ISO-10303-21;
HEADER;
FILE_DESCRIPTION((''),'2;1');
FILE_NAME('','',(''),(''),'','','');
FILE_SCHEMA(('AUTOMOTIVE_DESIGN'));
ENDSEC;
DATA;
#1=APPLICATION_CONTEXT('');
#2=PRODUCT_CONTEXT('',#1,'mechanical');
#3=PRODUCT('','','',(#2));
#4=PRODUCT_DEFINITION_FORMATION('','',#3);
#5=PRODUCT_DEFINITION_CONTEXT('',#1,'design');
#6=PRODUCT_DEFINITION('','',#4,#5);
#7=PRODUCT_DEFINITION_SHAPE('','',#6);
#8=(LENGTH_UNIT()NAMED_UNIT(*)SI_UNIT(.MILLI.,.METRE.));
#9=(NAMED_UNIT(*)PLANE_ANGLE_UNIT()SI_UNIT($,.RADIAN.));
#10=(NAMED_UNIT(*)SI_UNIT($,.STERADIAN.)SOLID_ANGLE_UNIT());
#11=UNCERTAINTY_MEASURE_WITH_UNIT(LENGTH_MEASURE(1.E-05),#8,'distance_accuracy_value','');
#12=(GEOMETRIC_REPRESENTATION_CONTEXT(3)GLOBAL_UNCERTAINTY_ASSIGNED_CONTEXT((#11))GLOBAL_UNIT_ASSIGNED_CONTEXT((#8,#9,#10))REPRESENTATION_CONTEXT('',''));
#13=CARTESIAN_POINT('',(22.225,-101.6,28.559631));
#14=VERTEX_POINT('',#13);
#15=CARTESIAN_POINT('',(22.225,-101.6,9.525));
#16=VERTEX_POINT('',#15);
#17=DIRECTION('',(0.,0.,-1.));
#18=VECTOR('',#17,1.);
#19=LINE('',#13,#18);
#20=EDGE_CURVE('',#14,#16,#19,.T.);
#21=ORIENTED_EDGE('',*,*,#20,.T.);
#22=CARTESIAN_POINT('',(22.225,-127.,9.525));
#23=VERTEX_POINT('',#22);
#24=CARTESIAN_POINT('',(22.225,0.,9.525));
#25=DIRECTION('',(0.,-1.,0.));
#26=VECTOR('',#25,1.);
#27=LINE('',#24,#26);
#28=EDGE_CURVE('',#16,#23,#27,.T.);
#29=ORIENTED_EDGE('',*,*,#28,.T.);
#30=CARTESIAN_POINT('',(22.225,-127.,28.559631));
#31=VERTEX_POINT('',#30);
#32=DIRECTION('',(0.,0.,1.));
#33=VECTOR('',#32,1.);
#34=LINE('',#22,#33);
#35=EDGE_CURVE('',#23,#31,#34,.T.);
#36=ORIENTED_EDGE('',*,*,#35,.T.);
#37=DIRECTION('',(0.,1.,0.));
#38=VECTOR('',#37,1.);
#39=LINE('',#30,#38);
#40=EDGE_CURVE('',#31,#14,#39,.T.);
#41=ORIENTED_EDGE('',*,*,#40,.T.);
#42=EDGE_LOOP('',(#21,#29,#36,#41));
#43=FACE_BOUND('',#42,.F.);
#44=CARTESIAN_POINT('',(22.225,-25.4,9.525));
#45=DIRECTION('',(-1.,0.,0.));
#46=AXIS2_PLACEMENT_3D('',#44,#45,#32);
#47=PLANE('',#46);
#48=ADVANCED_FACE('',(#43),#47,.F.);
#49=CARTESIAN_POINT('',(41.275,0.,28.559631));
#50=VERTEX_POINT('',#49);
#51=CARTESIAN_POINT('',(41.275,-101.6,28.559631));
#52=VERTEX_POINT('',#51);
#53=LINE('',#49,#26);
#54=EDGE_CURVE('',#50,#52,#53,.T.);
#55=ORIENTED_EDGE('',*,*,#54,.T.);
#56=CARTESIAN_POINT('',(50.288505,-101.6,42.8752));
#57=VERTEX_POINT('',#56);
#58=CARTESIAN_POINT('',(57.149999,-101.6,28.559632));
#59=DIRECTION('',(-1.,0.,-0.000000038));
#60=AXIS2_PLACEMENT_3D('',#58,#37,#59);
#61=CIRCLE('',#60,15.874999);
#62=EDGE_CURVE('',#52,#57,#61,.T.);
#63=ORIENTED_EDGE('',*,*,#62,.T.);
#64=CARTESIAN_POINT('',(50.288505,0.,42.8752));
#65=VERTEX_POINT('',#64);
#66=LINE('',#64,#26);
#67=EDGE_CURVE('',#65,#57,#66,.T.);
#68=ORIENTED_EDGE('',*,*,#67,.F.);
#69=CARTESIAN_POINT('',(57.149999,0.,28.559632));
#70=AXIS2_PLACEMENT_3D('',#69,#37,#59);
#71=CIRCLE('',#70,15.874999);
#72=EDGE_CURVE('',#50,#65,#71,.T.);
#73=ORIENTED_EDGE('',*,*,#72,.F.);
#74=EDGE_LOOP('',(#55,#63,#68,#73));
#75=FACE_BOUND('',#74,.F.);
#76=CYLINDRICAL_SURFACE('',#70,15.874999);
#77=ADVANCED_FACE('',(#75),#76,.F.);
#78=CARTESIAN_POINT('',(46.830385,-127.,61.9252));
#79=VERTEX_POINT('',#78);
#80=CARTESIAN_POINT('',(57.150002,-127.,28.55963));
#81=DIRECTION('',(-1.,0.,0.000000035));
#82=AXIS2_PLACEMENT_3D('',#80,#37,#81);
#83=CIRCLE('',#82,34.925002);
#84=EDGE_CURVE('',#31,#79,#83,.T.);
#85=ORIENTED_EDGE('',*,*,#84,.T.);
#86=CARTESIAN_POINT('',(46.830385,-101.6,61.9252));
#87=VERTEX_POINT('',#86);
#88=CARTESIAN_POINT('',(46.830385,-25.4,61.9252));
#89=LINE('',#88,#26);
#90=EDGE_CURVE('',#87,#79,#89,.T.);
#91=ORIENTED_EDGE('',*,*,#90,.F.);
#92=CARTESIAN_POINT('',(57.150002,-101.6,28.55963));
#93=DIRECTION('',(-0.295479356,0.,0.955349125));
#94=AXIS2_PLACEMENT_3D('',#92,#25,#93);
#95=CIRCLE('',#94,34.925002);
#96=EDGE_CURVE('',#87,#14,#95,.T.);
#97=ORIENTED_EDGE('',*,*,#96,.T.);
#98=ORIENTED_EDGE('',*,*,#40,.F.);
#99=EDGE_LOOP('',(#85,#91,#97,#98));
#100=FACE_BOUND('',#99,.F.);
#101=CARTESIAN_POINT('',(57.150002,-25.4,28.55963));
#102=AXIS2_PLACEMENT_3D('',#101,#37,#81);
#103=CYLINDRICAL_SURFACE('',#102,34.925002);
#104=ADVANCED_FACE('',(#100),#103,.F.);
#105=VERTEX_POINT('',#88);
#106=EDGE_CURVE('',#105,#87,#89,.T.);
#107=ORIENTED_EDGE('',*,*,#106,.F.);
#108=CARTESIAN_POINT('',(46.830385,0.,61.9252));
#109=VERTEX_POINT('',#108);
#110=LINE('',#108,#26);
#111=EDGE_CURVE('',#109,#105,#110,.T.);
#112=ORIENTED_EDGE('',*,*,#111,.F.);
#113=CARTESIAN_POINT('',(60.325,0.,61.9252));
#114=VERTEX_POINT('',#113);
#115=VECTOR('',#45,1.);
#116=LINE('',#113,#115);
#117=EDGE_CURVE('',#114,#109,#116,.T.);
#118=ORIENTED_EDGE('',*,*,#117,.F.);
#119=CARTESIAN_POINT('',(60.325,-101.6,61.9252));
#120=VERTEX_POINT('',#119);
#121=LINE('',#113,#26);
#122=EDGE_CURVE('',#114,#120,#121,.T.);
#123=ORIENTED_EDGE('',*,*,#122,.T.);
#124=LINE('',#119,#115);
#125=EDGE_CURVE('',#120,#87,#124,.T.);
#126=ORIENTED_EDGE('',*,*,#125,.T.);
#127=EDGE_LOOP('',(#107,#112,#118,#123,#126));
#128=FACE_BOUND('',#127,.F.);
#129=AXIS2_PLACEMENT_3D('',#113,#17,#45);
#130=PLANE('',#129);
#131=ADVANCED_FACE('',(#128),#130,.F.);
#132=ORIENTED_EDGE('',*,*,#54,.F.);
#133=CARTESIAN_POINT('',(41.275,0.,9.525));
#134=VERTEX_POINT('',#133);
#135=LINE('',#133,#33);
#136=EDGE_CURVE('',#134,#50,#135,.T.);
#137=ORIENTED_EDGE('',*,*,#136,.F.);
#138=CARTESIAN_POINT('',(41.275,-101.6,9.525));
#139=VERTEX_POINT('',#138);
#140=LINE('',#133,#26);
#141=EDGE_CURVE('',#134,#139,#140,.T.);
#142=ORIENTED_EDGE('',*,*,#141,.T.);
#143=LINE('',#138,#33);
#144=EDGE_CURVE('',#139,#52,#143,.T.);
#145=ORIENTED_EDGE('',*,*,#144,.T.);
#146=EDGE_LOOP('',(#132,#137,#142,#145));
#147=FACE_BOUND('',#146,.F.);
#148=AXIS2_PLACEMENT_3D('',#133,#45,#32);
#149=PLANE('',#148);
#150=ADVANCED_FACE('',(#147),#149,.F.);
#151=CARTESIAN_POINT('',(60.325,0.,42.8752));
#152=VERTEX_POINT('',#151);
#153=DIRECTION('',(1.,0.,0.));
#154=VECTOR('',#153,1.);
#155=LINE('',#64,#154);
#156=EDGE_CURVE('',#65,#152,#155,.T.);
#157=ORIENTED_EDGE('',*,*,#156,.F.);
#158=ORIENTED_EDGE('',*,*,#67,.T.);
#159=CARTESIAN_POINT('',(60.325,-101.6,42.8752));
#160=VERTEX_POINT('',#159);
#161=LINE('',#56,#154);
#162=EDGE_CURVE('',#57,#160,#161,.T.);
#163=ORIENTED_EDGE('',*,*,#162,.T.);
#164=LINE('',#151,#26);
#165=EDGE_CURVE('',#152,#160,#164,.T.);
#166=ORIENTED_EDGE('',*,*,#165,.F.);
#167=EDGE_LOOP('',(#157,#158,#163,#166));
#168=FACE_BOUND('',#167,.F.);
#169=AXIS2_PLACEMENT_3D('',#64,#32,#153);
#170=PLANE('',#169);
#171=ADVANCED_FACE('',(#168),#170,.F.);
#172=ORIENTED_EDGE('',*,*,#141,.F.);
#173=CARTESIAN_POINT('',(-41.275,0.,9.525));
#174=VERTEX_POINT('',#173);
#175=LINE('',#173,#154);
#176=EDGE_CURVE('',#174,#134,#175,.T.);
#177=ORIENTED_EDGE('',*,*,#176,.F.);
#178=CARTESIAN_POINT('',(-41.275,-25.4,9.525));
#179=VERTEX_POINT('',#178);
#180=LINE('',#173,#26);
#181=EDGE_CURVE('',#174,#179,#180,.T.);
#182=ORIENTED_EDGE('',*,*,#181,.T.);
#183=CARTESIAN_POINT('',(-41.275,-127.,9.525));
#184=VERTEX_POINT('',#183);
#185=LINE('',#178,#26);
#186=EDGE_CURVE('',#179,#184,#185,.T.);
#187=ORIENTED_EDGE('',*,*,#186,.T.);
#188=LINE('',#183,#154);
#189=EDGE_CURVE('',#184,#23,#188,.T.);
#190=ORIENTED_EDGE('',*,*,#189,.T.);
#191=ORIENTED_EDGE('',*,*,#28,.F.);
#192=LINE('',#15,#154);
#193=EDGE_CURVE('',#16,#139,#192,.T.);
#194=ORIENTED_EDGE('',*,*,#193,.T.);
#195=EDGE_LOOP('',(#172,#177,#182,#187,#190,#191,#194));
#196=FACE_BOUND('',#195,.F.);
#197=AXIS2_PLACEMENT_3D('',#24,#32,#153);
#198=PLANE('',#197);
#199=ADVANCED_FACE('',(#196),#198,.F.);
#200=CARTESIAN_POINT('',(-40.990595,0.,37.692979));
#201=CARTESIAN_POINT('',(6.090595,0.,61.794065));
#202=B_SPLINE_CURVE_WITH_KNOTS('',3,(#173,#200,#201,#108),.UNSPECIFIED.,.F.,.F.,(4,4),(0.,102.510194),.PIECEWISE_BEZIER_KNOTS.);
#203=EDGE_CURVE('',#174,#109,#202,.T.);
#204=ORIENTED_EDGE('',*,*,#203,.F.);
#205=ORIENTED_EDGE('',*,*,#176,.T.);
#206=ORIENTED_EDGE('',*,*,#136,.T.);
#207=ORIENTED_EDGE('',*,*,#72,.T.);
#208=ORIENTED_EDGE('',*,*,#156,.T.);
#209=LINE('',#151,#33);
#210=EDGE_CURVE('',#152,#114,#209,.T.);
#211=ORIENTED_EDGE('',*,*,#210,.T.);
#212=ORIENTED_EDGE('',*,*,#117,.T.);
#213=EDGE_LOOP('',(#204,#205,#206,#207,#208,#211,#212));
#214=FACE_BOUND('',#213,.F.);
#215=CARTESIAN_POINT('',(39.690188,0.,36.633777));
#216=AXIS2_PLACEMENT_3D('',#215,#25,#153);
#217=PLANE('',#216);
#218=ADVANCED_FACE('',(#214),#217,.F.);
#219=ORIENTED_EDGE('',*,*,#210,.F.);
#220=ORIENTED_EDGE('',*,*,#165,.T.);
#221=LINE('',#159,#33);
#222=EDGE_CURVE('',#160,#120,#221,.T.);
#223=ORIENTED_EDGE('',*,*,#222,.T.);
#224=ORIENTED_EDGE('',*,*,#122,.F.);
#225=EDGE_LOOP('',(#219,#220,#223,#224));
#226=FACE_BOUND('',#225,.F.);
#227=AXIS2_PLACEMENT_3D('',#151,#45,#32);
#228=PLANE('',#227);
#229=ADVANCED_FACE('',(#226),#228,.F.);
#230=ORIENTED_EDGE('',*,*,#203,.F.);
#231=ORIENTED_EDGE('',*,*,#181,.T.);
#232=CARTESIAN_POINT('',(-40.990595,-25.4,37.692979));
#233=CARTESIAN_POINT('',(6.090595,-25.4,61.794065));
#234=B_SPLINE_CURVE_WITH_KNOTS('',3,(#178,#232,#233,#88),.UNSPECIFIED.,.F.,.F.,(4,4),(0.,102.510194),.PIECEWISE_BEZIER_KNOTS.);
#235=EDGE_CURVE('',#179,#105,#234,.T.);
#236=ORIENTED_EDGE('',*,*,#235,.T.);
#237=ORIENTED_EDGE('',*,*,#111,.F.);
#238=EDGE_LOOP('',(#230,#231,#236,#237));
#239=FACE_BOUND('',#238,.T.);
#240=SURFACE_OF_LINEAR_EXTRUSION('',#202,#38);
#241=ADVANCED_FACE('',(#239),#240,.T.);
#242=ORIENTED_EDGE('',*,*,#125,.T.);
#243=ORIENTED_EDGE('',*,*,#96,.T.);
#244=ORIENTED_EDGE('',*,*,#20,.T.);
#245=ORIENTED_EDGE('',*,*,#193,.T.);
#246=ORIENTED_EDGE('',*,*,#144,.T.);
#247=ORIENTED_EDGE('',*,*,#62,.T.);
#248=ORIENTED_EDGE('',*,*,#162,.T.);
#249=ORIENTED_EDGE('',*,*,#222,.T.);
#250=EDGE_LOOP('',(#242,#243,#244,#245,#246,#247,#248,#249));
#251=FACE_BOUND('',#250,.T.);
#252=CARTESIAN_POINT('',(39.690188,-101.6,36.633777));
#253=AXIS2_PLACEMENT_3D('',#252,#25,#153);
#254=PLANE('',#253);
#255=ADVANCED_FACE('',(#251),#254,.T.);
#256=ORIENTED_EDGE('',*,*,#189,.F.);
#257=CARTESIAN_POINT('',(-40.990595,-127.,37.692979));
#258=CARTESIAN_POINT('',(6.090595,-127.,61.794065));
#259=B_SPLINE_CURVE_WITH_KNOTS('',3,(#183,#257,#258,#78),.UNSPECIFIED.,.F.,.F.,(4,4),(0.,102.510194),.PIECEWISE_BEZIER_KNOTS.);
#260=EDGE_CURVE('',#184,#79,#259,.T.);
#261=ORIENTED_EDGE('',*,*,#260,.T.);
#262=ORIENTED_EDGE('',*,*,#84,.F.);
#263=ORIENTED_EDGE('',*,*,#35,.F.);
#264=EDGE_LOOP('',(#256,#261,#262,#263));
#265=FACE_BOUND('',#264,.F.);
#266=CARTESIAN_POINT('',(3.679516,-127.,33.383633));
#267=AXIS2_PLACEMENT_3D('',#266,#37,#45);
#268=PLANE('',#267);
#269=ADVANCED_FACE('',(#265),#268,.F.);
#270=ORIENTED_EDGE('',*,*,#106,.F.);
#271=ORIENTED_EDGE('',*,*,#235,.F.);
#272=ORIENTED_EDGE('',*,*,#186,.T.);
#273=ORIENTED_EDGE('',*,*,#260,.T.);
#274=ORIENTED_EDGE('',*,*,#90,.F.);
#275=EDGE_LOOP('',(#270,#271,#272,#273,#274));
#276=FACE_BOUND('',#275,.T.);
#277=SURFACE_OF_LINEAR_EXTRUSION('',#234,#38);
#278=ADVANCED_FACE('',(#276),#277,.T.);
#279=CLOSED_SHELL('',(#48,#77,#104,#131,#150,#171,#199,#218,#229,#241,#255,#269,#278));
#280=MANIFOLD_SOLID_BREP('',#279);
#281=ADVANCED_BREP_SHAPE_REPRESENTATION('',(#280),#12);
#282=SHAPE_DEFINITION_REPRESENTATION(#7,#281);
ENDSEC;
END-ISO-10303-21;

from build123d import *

# Parameters (mm, degrees)
F1_DEPTH = 25.4
F2_DEPTH = 101.6
F3_DEPTH = 101.6


with BuildPart() as f1:
    # F0 (on Front) → F1 (new body)
    with BuildSketch(Plane.XZ):
        with BuildLine():
            add(Edge.make_bspline(
                [(-41.275, 9.525), (-40.990595, 37.692979), (6.090595, 61.794065), (46.830385, 61.9252)],
                knots=[0, 0, 0, 0, 102.510194, 102.510194, 102.510194, 102.510194], degree=3))
            Line((-41.275, 9.525), (22.225, 9.525))
            Line((22.225, 9.525), (22.225, 28.559631))
            ThreePointArc((22.225, 28.559631), (29.041566, 49.288151), (46.830385, 61.9252))
        make_face()
    extrude(amount=F1_DEPTH)

    # F1_face (on face) → F2 (join)
    with BuildSketch(Plane(origin=(-1.16305, -25.4, 31.053726), x_dir=(1, 0, 0), z_dir=(0, -1, 0))):
        with BuildLine():
            add(Edge.make_bspline(
                [(-40.11195, -21.528726), (-39.827545, 6.639253), (7.253645, 30.740339), (47.993435, 30.871474)],
                knots=[0, 0, 0, 0, 102.510194, 102.510194, 102.510194, 102.510194], degree=3))
            Line((-40.11195, -21.528726), (23.38805, -21.528726))
            Line((23.38805, -21.528726), (23.38805, -2.494095))
            ThreePointArc((23.38805, -2.494095), (30.204616, 18.234425), (47.993435, 30.871474))
        make_face()
    extrude(amount=F2_DEPTH)

    # F0 (on Front) → F3 (join)
    with BuildSketch(Plane.XZ):
        with BuildLine():
            Line((22.225, 28.559631), (22.225, 9.525))
            Line((22.225, 9.525), (41.275, 9.525))
            Line((41.275, 9.525), (41.275, 28.559631))
            ThreePointArc((41.275, 28.559631), (43.716053, 37.018041), (50.288505, 42.8752))
            Line((50.288505, 42.8752), (60.325, 42.8752))
            Line((60.325, 42.8752), (60.325, 61.9252))
            Line((60.325, 61.9252), (46.830385, 61.9252))
            ThreePointArc((46.830385, 61.9252), (29.041566, 49.288151), (22.225, 28.559631))
        make_face()
    extrude(amount=F3_DEPTH)


solid = f1.part
